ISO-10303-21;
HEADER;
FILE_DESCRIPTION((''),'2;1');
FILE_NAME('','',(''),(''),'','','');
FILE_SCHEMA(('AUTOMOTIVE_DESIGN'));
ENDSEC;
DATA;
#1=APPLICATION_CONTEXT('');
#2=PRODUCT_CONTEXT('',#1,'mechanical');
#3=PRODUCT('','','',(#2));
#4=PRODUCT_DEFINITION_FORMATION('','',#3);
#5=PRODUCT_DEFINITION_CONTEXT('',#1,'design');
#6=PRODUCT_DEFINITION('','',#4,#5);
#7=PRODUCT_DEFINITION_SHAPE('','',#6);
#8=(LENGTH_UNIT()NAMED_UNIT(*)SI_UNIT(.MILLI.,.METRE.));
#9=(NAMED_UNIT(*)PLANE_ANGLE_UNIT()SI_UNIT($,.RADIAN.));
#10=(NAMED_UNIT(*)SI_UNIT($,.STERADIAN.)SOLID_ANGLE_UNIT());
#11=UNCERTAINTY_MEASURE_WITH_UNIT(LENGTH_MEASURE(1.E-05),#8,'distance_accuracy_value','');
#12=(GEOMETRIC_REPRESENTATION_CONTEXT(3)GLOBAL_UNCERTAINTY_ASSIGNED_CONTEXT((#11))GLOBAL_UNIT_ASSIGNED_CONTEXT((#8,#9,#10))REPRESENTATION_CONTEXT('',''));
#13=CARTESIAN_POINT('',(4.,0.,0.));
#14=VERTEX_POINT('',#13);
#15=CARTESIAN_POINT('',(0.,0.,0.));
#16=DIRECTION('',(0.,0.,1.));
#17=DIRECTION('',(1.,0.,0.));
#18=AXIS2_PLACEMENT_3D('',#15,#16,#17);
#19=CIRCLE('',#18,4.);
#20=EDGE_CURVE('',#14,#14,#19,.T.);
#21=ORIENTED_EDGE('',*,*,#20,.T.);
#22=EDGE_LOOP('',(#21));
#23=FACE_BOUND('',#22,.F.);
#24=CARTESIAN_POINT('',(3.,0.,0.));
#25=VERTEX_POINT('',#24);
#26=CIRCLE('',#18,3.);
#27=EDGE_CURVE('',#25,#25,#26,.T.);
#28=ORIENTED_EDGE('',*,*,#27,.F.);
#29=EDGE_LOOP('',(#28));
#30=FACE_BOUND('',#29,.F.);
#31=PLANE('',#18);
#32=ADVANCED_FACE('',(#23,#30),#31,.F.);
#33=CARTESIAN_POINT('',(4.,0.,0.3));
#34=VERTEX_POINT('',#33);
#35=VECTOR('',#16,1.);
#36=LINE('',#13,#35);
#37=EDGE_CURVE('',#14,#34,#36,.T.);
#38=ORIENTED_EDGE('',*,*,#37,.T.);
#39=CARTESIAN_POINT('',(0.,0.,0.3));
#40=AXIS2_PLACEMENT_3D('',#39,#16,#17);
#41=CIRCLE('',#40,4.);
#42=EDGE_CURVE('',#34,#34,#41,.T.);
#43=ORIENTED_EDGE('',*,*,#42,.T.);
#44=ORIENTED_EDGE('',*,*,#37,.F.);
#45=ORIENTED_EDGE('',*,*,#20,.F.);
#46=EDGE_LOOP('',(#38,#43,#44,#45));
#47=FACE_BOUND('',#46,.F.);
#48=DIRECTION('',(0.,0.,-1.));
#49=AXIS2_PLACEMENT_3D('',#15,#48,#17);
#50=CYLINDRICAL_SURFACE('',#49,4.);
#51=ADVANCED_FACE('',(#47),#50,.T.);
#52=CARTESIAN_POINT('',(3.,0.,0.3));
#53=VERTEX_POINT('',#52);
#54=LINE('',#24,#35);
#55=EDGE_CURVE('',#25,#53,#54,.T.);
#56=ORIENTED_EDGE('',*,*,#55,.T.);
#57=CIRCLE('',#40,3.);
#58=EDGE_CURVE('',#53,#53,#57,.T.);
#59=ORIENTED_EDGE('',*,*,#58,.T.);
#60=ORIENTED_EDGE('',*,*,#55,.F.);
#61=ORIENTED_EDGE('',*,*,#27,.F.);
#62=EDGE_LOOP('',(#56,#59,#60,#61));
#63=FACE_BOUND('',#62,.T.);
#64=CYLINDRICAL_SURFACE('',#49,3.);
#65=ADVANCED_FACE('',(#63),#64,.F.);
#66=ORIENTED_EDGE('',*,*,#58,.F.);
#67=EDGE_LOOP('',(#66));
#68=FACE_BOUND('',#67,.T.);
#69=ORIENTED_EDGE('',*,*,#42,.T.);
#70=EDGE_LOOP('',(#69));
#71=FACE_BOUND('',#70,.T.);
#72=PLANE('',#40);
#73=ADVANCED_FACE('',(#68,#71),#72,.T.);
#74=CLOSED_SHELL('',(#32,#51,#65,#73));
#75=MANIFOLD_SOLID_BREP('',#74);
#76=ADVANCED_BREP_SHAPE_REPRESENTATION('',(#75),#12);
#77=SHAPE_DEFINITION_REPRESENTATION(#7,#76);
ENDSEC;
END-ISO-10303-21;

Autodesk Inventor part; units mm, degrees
ref_plane "YZ Plane" through (0, 0, 0) normal (1, 0, 0) x (0, 1, 0)
ref_plane "XZ Plane" through (0, 0, 0) normal (0, 1, 0) x (-1, 0, 0)
ref_plane "XY Plane" through (0, 0, 0) normal (0, 0, 1) x (1, 0, 0)
sketch "スケッチ1" plane through (0, 0, 0) normal (0, 0, 1) x (1, 0, 0)
  circle A0 centre (0, 0) radius 3
  circle A1 centre (0, 0) radius 4
  dimension "d0" = 6
  dimension "d1" = 8
extrude "押し出し1" add sketch "スケッチ1" along normal blind 0.3
properties part number "シムリング　6-8　t0.3" material "ステンレス鋼 AISI 304"
